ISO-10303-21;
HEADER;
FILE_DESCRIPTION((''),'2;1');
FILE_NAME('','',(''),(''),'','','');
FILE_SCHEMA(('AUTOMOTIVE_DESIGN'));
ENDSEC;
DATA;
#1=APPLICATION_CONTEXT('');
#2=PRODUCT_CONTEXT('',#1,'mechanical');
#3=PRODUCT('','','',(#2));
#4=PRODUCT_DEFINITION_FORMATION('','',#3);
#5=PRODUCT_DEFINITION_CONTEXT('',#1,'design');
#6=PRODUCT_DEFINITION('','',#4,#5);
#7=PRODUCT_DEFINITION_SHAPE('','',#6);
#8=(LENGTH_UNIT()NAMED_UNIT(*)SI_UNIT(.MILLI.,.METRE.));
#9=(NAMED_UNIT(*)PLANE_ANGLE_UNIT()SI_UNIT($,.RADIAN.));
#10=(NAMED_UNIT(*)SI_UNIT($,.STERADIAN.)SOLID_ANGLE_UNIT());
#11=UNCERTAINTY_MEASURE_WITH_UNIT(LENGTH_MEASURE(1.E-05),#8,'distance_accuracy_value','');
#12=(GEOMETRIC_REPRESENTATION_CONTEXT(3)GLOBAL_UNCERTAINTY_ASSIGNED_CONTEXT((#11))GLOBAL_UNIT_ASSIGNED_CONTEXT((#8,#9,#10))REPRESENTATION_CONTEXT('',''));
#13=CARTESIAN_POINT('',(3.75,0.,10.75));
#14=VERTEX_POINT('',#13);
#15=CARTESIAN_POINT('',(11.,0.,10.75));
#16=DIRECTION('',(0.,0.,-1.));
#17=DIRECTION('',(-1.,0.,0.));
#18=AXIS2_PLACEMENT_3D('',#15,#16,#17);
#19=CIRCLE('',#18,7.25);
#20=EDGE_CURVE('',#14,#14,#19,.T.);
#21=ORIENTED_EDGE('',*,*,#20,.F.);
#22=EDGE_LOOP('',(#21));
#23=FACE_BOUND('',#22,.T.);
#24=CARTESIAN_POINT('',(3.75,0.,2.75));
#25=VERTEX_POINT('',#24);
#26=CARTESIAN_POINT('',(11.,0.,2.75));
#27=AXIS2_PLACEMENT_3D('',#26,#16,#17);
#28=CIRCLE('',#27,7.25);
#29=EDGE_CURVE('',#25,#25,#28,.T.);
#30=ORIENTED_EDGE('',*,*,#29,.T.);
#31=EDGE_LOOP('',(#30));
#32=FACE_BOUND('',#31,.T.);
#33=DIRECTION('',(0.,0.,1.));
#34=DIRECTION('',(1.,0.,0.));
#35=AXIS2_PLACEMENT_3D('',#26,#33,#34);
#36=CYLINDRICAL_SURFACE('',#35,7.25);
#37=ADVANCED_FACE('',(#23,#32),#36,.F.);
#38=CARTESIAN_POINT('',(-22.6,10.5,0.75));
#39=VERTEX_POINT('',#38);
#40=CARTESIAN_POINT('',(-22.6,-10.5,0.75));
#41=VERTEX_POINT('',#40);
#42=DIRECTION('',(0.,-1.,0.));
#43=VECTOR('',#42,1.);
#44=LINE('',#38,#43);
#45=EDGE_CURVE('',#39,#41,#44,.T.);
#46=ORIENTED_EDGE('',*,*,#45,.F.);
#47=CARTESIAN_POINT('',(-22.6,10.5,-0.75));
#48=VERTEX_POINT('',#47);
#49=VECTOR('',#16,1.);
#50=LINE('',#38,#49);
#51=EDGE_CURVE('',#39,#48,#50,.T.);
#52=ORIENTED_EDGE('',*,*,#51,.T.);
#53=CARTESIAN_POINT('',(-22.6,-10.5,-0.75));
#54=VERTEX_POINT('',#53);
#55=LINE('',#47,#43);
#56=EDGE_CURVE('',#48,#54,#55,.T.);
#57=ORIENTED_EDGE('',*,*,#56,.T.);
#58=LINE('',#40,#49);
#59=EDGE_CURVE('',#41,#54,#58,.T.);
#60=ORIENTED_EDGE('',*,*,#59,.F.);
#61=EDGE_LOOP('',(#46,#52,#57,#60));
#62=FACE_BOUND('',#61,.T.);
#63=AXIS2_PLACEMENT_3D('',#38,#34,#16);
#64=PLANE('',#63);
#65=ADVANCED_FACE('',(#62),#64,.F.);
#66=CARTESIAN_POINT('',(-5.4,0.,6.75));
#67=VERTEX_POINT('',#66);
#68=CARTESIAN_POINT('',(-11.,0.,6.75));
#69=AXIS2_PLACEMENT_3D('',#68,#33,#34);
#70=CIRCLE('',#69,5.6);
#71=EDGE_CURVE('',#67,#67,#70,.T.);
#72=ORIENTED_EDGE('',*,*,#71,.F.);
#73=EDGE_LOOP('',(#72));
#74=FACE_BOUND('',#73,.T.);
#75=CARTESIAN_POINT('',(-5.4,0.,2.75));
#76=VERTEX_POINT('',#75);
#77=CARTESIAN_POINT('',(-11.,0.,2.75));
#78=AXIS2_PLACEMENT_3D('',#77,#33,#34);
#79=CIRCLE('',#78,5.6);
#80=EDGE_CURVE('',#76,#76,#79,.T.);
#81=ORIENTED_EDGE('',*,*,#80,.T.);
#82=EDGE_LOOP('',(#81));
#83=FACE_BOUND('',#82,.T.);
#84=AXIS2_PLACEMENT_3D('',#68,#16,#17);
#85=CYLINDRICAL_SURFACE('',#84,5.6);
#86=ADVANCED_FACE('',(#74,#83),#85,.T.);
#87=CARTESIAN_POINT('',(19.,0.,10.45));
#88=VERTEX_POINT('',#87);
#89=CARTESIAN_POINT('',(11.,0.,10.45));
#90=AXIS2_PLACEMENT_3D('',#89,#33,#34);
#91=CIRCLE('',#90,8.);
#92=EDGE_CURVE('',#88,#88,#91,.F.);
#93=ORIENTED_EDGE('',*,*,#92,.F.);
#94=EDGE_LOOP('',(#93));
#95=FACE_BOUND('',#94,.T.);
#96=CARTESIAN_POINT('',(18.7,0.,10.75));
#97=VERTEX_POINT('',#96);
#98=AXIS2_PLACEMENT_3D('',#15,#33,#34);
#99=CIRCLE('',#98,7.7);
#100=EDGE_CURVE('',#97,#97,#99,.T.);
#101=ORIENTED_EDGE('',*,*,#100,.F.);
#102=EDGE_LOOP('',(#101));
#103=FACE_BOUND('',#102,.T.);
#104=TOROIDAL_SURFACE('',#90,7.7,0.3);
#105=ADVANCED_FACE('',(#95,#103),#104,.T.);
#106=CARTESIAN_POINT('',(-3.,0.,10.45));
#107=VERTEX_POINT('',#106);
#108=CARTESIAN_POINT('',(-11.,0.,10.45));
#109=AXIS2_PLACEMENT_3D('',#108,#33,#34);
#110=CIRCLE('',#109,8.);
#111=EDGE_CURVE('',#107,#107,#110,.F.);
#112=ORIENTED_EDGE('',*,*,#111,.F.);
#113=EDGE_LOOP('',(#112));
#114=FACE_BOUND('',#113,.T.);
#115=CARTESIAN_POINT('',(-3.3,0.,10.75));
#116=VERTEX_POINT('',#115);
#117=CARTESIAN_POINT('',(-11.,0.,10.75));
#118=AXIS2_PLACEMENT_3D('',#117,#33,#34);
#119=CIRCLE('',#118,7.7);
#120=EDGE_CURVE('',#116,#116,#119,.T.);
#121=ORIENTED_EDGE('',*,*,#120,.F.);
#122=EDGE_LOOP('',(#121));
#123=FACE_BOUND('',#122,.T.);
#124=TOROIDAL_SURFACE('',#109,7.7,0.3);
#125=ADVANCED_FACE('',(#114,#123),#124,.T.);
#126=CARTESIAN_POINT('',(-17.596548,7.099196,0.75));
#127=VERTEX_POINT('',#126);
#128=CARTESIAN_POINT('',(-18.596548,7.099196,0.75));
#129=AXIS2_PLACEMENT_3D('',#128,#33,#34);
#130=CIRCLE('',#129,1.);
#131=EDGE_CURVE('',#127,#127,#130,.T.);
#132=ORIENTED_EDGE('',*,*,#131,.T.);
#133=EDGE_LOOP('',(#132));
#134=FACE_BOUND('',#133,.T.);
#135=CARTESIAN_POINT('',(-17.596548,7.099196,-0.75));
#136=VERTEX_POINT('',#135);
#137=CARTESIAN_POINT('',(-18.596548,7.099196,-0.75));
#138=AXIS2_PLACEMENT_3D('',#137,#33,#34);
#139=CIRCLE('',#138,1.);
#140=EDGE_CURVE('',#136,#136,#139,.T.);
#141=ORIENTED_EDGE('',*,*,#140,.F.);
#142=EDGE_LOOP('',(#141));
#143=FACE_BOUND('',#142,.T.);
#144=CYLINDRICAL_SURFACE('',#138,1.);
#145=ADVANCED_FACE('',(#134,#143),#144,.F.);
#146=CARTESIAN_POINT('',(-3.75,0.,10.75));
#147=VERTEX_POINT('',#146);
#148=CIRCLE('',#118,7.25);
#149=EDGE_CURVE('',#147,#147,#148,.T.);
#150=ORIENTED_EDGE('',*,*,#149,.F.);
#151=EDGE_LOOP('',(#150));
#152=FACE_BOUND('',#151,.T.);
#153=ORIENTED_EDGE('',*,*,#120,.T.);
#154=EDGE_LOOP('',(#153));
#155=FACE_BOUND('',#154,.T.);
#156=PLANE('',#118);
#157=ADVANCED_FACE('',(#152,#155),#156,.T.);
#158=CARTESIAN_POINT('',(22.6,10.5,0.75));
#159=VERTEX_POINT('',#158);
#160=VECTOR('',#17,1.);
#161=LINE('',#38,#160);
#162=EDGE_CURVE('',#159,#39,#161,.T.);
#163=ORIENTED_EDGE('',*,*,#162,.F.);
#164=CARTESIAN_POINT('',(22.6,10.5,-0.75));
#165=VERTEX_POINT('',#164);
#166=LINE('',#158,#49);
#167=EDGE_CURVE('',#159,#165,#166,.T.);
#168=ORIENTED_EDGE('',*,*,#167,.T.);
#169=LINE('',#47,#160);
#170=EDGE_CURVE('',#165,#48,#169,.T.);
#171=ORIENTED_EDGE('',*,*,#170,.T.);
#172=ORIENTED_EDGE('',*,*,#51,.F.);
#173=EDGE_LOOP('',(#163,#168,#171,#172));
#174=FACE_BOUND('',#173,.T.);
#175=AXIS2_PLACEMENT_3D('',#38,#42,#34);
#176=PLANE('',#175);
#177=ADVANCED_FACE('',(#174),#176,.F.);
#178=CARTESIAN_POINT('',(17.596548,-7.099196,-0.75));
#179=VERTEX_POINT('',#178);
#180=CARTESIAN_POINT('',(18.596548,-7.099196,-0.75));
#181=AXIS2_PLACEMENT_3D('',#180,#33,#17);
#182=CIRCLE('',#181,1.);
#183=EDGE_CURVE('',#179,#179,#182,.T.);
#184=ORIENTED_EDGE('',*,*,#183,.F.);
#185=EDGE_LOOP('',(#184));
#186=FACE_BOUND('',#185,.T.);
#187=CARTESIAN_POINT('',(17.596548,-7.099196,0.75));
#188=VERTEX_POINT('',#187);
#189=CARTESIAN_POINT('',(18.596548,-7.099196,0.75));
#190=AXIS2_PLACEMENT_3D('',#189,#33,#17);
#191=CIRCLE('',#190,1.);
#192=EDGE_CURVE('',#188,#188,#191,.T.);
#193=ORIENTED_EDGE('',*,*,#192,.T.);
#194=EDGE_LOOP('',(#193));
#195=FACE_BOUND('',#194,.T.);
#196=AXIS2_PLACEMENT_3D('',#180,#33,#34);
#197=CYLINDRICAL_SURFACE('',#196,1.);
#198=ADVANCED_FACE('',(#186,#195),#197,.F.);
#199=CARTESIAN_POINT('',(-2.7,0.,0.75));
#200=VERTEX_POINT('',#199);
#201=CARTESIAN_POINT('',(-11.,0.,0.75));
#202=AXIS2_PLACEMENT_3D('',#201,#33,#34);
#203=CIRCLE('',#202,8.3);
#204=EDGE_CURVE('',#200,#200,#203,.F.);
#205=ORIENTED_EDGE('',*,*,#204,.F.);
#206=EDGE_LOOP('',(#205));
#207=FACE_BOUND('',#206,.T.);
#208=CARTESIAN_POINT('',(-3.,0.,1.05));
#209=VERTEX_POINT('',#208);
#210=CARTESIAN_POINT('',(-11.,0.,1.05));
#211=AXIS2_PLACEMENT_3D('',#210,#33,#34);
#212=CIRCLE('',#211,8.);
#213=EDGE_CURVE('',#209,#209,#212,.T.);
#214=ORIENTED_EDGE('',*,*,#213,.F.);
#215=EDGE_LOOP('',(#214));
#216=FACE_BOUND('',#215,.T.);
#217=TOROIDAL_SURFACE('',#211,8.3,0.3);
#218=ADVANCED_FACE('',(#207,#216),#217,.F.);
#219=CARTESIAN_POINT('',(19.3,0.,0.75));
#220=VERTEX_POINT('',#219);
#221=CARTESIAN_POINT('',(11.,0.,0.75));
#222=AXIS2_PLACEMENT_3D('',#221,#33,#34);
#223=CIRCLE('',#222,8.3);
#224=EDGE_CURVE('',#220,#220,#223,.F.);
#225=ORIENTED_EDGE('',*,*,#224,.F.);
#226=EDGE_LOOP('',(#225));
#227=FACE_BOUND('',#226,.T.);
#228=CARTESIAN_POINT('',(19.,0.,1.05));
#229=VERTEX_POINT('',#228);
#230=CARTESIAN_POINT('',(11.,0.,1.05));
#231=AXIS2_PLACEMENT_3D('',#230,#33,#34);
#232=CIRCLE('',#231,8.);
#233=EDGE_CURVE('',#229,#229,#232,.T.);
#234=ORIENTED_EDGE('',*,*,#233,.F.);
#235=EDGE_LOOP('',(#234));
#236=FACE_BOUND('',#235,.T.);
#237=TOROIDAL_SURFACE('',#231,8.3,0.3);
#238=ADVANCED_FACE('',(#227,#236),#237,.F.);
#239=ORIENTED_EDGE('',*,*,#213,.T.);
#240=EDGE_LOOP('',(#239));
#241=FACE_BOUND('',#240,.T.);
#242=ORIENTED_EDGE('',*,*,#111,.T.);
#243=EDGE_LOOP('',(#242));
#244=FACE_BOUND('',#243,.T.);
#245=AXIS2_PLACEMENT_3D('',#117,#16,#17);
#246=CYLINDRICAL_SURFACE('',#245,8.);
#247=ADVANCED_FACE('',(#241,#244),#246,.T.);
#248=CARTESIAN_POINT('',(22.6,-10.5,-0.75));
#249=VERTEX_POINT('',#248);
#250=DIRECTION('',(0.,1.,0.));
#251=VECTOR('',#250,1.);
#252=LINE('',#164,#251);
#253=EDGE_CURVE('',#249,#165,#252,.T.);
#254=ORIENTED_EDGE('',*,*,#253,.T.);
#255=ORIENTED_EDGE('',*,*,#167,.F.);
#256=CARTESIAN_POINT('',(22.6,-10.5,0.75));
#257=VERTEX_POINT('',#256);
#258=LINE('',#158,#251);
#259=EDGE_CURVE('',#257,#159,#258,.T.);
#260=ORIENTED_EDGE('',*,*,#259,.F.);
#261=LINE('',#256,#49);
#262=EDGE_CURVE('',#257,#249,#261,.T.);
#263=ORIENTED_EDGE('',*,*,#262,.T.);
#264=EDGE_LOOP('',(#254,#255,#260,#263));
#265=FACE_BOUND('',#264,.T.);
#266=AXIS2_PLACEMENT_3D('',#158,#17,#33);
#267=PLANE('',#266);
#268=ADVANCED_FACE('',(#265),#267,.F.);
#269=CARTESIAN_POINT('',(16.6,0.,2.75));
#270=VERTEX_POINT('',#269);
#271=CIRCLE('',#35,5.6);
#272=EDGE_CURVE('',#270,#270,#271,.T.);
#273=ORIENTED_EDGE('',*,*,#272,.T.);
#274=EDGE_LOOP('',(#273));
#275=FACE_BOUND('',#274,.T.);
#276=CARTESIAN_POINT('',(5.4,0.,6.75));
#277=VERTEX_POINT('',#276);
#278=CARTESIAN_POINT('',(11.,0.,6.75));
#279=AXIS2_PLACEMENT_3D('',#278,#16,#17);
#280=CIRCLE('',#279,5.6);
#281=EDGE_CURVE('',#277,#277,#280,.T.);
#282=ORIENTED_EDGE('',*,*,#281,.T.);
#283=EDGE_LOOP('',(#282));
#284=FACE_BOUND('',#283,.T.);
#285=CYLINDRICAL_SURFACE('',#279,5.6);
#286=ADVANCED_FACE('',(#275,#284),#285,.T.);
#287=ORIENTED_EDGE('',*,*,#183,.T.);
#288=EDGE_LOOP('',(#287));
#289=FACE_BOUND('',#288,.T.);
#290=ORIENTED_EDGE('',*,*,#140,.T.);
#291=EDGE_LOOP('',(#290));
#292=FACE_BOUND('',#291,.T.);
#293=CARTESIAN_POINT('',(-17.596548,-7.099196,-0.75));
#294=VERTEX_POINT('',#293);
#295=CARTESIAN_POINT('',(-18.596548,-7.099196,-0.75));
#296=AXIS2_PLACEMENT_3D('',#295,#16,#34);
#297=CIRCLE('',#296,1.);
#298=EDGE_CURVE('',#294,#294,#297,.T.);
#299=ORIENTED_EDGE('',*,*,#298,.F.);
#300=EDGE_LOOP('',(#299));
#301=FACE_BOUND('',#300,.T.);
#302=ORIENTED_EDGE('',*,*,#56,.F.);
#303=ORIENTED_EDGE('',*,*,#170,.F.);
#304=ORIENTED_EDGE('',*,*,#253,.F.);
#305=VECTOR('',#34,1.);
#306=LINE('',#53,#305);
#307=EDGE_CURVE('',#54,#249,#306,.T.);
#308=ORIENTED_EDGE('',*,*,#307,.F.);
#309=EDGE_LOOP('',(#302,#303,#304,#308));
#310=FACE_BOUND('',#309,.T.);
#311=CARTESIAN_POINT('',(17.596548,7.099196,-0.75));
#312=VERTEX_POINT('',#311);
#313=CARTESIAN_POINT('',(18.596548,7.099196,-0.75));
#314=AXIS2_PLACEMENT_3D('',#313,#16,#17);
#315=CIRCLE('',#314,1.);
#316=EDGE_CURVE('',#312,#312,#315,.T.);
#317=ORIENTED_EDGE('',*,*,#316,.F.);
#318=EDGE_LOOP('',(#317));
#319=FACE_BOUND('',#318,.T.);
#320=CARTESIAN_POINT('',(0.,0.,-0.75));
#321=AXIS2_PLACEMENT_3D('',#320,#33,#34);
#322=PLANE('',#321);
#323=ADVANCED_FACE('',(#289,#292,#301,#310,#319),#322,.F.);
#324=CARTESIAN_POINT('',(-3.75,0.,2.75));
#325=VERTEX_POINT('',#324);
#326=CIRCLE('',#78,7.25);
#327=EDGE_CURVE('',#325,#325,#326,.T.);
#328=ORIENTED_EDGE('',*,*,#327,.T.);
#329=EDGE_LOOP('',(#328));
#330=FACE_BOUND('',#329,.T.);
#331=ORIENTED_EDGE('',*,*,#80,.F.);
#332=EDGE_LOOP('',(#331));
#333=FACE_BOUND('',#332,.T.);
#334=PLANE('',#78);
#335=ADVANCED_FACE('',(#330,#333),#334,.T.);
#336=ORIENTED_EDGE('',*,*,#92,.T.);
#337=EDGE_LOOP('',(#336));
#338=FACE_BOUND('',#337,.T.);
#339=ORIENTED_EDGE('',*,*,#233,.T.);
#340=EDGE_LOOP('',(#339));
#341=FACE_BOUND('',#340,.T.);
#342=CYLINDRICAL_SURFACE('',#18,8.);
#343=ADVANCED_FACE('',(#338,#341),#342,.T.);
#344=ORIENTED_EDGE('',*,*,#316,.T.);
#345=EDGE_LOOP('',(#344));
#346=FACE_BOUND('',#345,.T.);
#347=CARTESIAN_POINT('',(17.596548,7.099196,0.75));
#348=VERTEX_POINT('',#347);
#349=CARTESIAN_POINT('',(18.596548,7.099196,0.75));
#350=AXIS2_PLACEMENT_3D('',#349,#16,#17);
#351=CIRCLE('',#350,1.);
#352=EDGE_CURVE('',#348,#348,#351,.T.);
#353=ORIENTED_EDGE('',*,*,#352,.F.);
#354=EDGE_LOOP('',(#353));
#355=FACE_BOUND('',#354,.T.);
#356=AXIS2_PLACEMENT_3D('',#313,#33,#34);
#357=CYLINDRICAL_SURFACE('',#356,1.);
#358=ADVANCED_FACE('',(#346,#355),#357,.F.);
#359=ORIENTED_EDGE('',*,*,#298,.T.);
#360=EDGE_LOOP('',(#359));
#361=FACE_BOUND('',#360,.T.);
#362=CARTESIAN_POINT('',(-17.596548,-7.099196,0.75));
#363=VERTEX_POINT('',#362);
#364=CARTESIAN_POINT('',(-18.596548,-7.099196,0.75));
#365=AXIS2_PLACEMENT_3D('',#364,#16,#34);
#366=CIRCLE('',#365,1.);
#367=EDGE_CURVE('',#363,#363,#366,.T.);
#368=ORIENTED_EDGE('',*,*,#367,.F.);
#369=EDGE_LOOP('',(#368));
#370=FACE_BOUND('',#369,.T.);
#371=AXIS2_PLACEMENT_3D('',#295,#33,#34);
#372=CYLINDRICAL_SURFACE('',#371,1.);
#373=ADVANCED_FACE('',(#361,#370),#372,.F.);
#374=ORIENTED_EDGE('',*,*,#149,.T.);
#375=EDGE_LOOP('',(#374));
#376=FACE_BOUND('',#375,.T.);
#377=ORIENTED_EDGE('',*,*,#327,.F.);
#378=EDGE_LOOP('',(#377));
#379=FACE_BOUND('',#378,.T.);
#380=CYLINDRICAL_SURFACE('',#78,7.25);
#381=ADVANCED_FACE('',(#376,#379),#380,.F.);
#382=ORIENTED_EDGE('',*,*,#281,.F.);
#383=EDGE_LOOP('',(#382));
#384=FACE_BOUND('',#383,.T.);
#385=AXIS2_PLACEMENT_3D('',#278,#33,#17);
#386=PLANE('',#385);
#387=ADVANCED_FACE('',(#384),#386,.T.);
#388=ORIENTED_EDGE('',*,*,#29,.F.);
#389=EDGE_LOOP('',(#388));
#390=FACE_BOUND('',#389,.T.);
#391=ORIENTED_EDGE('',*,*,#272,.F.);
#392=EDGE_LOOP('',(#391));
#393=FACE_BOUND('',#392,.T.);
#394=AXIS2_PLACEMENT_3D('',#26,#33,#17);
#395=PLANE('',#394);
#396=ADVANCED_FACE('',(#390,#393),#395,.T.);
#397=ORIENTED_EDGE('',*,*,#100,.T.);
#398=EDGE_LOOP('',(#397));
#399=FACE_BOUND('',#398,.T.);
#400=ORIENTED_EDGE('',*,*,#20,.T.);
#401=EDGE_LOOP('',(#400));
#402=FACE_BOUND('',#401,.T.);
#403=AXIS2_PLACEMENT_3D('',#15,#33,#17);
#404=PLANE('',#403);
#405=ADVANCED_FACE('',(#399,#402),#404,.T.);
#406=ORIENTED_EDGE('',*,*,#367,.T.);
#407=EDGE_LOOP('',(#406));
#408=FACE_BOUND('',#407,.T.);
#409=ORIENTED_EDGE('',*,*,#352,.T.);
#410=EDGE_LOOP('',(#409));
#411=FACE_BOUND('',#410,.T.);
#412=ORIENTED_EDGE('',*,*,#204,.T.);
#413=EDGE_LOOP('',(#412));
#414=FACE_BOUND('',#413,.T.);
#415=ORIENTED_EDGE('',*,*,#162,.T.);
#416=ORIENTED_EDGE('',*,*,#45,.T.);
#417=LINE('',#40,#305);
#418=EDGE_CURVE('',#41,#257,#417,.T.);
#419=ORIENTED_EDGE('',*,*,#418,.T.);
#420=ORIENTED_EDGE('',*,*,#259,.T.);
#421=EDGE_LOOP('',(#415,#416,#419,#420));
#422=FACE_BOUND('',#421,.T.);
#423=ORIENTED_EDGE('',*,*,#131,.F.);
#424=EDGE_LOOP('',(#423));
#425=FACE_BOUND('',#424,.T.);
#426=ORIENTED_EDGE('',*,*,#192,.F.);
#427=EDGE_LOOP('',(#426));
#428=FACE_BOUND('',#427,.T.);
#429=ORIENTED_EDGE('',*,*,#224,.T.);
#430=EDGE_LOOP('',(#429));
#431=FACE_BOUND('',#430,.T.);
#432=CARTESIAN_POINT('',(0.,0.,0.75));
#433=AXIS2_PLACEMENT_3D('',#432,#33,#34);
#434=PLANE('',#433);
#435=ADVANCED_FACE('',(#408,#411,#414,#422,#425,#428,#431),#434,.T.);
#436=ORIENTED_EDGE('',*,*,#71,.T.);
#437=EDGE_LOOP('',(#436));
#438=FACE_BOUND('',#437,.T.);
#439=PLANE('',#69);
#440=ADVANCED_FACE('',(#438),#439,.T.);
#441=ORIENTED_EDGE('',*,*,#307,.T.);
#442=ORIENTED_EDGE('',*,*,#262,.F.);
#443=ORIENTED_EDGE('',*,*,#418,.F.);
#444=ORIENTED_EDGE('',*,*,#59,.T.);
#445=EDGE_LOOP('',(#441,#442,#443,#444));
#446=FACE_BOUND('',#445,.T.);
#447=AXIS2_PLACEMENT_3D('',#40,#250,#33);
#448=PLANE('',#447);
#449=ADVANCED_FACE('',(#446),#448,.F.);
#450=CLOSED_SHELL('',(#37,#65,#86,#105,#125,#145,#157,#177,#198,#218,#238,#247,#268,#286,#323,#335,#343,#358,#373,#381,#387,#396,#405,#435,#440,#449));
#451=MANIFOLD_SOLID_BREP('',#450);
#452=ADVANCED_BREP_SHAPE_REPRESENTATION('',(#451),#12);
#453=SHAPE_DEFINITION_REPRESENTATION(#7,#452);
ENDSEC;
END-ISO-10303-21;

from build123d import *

# Parameters (mm, degrees)
SKETCH1_W               = 45.2
SKETCH1_H               = 21
BOSS_EXTRUDE1_DEPTH     = 0.75
SKETCH2_R               = 1
CUT_EXTRUDE1_DEPTH      = 2.5
MIRROR2_COPY_1_SKETCH_R = 1
MIRROR2_COPY_1_DEPTH    = 2.5
SKETCH3_R               = 8
BOSS_EXTRUDE2_DEPTH     = 10
SKETCH9_R               = 7.25
CUT_EXTRUDE2_DEPTH      = 8
FILLET1_R               = 0.3
SKETCH10_R              = 5.6
BOSS_EXTRUDE3_DEPTH     = 4


with BuildPart() as part:
    # Sketch1 → Boss-Extrude1 (new body, symmetric)
    with BuildSketch(Plane.XY):
        Rectangle(SKETCH1_W, SKETCH1_H)
    extrude(amount=BOSS_EXTRUDE1_DEPTH, both=True)

    # Sketch2 → Cut-Extrude1 (cut, through all)
    with BuildSketch(Plane.XY.offset(0.75)):
        with Locations((-18.596547757, 7.099196252)):
            Circle(SKETCH2_R)
    cut_extrude1 = extrude(amount=-CUT_EXTRUDE1_DEPTH, mode=Mode.SUBTRACT)

    # Mirror1: Cut-Extrude1 across plane
    add(cut_extrude1.mirror(Plane(origin=(0, 0, 0), x_dir=(0, 0, 1), z_dir=(1, 0, 0))), mode=Mode.SUBTRACT)

    # Mirror2: Cut-Extrude1 across plane
    add(cut_extrude1.mirror(Plane.ZX), mode=Mode.SUBTRACT)

    # Mirror2 copy 1 sketch → Mirror2 copy 1 (cut, through all)
    with BuildSketch(Plane(origin=(0, 0, 0.75), x_dir=(-1, 0, 0), z_dir=(0, 0, 1))):
        with Locations((-18.596547757, 7.099196252)):
            Circle(MIRROR2_COPY_1_SKETCH_R)
    extrude(amount=-MIRROR2_COPY_1_DEPTH, mode=Mode.SUBTRACT)

    # Sketch3 → Boss-Extrude2 (add)
    with BuildSketch(Plane.XY.offset(0.75)):
        with Locations((-11, 0)):
            Circle(SKETCH3_R)
    boss_extrude2 = extrude(amount=BOSS_EXTRUDE2_DEPTH)

    # Sketch9 → Cut-Extrude2 (cut)
    with BuildSketch(Plane.XY.offset(10.75)):
        with Locations((-11, 0)):
            Circle(SKETCH9_R)
    cut_extrude2 = extrude(amount=-CUT_EXTRUDE2_DEPTH, mode=Mode.SUBTRACT)

    # Mirror3: Boss-Extrude2 across plane
    add(boss_extrude2.mirror(Plane(origin=(0, 0, 0), x_dir=(0, 0, 1), z_dir=(1, 0, 0))))

    # Mirror4: Cut-Extrude2 across plane
    add(cut_extrude2.mirror(Plane(origin=(0, 0, 0), x_dir=(0, 0, 1), z_dir=(1, 0, 0))), mode=Mode.SUBTRACT)

    # Fillet1
    fillet1_edges = [part.edges().sort_by_distance(p)[0] for p in [
        (-19, 0, 0.75),
        (-19, 0, 10.75),
        (19, 0, 0.75),
        (19, 0, 10.75),
    ]]
    fillet(fillet1_edges, radius=FILLET1_R)

    # Sketch10 → Boss-Extrude3 (add)
    with BuildSketch(Plane.XY.offset(2.75)):
        with Locations((-11, 0)):
            Circle(SKETCH10_R)
    boss_extrude3 = extrude(amount=BOSS_EXTRUDE3_DEPTH)

    # Mirror5: Boss-Extrude3 across plane
    add(boss_extrude3.mirror(Plane(origin=(0, 0, 0), x_dir=(0, 0, 1), z_dir=(1, 0, 0))))


solid = part.part
